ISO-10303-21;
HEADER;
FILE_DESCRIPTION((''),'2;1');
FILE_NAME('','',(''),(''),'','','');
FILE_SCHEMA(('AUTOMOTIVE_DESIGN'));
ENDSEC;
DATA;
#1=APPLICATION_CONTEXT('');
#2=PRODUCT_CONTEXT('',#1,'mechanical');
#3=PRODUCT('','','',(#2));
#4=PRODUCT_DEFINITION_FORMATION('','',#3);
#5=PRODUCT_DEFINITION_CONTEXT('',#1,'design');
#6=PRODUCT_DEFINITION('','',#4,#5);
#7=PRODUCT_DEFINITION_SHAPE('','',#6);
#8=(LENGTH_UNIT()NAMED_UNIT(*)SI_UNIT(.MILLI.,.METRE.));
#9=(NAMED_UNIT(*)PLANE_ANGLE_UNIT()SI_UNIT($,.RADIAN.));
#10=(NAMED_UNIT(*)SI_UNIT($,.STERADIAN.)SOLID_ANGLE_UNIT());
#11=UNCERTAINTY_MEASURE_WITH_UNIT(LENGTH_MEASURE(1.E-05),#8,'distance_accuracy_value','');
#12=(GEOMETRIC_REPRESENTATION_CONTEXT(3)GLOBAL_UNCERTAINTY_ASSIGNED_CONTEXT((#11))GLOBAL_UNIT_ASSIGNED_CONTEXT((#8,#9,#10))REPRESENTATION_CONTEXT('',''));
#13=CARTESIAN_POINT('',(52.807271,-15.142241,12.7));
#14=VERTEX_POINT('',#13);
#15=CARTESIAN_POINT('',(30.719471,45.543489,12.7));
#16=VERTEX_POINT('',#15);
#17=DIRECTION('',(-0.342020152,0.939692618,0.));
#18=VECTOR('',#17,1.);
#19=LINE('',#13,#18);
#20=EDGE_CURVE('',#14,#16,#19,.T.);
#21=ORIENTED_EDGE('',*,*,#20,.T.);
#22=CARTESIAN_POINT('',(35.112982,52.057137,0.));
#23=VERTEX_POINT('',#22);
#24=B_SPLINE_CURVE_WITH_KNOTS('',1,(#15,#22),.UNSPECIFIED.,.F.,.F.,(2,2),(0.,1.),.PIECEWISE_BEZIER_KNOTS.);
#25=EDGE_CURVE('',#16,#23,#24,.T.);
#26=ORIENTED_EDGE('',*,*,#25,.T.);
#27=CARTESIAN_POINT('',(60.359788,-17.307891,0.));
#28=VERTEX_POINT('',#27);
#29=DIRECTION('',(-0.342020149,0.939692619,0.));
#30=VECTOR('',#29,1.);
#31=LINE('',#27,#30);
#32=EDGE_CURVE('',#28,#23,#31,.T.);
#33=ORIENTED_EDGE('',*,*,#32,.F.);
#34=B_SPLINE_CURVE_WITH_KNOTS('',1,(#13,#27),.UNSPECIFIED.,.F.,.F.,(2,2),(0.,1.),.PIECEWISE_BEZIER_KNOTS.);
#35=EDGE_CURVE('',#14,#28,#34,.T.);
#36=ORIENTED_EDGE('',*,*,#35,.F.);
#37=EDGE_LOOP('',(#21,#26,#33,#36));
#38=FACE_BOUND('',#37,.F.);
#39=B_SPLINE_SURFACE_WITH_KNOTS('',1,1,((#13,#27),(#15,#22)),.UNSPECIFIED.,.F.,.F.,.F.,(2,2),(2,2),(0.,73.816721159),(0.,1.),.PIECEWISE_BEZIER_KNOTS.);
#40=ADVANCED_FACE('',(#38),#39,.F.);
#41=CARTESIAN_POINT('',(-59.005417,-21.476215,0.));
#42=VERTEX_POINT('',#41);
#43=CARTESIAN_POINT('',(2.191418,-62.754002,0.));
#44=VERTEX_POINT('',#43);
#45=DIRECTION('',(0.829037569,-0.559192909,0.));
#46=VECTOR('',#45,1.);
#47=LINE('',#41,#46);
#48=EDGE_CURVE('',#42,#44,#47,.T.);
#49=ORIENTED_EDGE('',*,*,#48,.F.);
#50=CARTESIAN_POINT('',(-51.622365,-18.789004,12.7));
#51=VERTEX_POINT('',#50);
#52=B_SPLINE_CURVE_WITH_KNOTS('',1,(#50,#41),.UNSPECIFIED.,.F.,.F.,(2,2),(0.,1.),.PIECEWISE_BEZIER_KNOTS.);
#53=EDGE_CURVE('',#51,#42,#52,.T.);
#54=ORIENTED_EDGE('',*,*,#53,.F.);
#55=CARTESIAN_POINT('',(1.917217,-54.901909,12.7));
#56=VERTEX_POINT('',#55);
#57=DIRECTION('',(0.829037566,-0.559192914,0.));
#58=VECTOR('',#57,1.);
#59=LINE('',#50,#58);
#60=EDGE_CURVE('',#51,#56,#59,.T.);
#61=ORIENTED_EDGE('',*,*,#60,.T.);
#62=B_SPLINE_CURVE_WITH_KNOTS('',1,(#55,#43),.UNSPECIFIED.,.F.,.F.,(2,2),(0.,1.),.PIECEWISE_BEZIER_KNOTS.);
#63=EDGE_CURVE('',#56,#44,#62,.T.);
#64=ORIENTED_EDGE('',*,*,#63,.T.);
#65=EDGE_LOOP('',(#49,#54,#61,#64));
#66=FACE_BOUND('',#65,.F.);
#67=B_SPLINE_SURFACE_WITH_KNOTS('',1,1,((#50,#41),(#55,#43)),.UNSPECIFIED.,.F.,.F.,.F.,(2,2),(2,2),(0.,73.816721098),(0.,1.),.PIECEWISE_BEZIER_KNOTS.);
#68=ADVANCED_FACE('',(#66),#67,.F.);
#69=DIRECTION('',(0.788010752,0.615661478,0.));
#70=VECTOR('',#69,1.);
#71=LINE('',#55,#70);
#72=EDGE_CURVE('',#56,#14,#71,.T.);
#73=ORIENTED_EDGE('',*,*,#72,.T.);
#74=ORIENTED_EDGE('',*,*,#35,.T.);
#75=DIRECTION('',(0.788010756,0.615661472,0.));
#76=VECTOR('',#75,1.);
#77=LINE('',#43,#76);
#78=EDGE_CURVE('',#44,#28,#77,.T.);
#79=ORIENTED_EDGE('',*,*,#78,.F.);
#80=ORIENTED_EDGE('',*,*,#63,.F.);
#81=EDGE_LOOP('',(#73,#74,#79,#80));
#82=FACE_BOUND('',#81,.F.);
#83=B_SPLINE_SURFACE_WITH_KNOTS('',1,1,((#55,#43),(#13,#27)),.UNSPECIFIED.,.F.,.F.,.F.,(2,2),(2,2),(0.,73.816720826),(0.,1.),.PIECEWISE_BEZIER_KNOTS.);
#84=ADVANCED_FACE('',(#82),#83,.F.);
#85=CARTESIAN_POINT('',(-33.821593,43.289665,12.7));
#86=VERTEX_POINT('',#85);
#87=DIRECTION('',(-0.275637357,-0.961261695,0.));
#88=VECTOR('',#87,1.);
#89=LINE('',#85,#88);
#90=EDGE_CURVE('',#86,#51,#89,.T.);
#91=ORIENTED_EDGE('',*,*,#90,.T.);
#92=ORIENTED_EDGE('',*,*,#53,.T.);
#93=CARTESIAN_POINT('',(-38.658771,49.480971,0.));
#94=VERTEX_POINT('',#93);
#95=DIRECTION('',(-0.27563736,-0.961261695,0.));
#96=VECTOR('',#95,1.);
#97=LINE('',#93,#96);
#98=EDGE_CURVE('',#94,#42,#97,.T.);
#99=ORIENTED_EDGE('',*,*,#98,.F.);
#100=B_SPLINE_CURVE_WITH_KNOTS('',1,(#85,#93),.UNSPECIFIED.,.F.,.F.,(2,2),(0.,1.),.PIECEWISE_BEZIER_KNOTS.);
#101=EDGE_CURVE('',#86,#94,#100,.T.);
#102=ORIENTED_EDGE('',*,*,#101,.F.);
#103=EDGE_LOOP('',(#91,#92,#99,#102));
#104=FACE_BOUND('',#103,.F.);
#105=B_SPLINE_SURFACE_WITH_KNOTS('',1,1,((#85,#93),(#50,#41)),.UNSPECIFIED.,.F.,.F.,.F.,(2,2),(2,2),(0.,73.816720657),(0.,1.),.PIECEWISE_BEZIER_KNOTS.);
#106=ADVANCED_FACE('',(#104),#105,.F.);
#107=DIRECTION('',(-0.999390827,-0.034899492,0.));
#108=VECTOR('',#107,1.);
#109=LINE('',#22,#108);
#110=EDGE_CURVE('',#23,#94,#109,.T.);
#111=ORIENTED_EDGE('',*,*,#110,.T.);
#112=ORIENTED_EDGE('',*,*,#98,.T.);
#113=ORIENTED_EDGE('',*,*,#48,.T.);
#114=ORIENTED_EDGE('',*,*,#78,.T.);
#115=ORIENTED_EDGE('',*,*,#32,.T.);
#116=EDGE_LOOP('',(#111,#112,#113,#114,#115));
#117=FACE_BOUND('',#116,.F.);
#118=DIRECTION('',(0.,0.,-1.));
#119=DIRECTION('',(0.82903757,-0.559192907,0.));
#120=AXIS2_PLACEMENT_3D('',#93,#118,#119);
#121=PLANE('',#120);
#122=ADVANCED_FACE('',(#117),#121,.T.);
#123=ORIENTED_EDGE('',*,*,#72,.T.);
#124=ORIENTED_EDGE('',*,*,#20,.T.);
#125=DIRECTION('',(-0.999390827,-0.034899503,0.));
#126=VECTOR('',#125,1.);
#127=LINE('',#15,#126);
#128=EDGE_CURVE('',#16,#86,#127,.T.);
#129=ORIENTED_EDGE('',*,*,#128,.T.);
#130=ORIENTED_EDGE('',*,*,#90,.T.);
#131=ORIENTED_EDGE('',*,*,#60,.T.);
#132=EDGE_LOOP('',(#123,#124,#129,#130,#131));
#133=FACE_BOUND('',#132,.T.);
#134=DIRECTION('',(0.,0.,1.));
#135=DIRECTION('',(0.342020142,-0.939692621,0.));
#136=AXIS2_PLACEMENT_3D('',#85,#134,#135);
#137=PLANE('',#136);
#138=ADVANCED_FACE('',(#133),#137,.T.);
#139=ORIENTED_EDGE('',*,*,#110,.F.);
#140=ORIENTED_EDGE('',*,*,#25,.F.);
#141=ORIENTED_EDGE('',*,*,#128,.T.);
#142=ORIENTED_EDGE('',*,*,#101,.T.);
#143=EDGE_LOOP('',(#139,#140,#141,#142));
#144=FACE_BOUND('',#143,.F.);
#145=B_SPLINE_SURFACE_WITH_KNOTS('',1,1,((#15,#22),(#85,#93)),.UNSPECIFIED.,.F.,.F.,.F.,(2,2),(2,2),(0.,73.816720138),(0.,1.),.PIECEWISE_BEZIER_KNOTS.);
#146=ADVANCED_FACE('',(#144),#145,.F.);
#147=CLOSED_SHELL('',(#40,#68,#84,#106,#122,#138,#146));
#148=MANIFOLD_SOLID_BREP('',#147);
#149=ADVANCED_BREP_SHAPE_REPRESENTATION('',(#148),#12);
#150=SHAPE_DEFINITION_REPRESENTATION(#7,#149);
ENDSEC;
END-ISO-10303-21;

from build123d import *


with BuildPart() as f3:
    # F2 (on offset) → F3 section 0
    with BuildSketch(Plane.XY.offset(12.7)):
        Polygon((-33.821593, 43.289665), (-51.622365, -18.789004), (1.917217, -54.901909), (52.807271, -15.142241), (30.719471, 45.543489), align=None)
    # F0 (on Top) → F3 section 1
    with BuildSketch(Plane.XY):
        Polygon((35.112982, 52.057137), (-38.658771, 49.480971), (-59.005417, -21.476215), (2.191418, -62.754002), (60.359788, -17.307891), align=None)
    loft()


solid = f3.part
